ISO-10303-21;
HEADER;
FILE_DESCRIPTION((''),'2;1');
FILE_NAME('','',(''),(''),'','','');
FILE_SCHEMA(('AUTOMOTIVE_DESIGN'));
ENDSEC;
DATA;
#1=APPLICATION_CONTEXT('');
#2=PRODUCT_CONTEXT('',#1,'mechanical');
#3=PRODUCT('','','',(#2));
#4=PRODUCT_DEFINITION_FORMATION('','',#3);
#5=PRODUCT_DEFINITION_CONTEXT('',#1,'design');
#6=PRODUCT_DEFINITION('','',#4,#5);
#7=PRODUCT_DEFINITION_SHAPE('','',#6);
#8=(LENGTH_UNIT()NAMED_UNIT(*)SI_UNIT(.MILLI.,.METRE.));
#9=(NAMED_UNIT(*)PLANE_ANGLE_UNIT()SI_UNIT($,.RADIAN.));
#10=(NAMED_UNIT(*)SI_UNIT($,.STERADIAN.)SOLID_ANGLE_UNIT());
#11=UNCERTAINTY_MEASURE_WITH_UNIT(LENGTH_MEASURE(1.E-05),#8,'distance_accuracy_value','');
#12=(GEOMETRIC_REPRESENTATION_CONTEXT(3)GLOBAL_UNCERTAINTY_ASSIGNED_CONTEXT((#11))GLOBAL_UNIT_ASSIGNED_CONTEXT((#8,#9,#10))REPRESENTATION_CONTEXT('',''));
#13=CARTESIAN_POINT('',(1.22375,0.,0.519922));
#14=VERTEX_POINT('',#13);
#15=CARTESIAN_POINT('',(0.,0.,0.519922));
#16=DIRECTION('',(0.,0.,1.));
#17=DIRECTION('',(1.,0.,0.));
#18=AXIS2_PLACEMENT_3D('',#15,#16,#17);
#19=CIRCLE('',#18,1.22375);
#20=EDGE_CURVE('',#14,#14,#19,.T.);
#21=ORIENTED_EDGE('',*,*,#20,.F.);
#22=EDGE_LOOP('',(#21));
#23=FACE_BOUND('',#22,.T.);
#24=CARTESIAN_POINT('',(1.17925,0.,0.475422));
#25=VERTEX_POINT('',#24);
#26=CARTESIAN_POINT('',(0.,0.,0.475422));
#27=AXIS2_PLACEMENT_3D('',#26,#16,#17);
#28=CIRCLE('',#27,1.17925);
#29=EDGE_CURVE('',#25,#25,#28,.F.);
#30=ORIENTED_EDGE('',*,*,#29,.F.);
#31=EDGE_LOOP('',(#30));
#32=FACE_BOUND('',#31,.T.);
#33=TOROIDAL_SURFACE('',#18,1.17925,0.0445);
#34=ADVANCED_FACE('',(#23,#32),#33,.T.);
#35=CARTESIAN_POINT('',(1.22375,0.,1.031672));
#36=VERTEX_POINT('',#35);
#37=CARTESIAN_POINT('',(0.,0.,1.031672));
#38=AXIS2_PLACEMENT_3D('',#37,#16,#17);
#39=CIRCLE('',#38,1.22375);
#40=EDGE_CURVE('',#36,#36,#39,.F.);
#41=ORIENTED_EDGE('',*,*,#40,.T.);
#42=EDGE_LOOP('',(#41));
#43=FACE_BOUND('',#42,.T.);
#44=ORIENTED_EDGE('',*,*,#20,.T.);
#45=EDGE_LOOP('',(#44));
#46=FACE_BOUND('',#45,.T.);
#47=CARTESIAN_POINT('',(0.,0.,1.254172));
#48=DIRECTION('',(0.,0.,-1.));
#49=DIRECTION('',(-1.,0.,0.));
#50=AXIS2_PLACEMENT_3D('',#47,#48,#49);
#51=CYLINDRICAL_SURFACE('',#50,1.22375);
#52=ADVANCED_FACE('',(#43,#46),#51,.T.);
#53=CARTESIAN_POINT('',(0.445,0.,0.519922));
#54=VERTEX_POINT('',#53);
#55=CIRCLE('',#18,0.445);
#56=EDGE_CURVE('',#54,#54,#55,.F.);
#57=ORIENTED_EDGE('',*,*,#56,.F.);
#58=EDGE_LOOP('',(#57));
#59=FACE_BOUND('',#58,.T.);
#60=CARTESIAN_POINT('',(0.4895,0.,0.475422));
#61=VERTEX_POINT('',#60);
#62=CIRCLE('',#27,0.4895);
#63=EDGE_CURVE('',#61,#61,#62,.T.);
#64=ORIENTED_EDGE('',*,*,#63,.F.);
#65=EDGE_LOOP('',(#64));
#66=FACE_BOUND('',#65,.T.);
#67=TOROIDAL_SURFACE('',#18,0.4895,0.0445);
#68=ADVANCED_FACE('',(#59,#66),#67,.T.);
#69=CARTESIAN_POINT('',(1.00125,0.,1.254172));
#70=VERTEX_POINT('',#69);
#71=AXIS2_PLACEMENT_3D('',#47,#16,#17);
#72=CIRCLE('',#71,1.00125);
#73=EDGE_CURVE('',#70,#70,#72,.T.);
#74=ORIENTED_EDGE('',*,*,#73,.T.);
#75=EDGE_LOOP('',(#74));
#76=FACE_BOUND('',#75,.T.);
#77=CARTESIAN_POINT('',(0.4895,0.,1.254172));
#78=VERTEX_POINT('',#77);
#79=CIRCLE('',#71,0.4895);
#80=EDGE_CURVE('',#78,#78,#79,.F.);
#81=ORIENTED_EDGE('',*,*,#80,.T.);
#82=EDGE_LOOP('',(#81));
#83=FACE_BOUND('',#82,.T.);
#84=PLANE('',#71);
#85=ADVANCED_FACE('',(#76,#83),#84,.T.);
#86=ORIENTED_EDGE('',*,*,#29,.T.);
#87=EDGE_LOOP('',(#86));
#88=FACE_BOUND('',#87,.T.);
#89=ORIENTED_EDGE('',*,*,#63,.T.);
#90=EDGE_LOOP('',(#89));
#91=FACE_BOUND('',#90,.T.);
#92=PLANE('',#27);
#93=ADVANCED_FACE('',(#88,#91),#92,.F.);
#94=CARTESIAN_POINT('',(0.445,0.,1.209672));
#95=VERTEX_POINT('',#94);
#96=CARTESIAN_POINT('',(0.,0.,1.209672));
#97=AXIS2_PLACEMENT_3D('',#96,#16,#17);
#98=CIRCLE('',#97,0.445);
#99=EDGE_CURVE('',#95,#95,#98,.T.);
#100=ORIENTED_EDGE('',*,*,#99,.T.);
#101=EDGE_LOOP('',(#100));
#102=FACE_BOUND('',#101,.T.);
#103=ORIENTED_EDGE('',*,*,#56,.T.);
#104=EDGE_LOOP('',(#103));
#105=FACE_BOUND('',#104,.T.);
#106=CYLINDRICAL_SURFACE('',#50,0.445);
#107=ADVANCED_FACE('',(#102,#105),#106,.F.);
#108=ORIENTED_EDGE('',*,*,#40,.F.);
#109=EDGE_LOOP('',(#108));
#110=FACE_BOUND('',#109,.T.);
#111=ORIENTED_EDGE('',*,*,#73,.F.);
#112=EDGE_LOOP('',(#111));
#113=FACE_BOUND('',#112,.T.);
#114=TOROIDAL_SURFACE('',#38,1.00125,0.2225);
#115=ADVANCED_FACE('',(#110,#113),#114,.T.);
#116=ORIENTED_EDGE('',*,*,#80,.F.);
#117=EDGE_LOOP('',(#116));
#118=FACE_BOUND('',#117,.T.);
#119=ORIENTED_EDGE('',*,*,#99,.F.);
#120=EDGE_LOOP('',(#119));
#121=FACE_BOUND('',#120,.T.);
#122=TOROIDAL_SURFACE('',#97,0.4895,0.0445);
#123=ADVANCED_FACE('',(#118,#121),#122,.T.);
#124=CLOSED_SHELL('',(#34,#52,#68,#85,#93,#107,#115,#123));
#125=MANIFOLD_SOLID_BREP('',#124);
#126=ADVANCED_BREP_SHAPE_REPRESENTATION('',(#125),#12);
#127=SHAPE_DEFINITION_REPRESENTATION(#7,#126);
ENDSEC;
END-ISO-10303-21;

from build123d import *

# Parameters (mm, degrees)
SKETCH1_R           = 2.75
SKETCH1_R_2         = 1
EXTRUDE_THIN1_DEPTH = 1.75
FILLET1_R           = 0.5
FILLET2_R           = 0.1
SCALE1_SCALE        = 0.445


with BuildPart() as part:
    # Sketch1 → Extrude-Thin1 (new body)
    with BuildSketch(Plane.XY):
        Circle(SKETCH1_R)
        Circle(SKETCH1_R_2, mode=Mode.SUBTRACT)
    extrude(amount=EXTRUDE_THIN1_DEPTH)

    # Fillet1
    fillet1_edges = [part.edges().sort_by_distance(p)[0] for p in [
        (-2.75, 0, 1.75),
    ]]
    fillet(fillet1_edges, radius=FILLET1_R)

    # Fillet2
    fillet2_edges = [part.edges().sort_by_distance(p)[0] for p in [
        (-2.75, 0, 0),
        (-1, 0, 0),
        (-1, 0, 1.75),
    ]]
    fillet(fillet2_edges, radius=FILLET2_R)


with BuildPart() as part_1:
    # Scale1: scaled about (0, 0, 0.856615471)
    add(part.part.scale(SCALE1_SCALE).moved(Location((0, 0, 0.475421586))))


solid = part_1.part
